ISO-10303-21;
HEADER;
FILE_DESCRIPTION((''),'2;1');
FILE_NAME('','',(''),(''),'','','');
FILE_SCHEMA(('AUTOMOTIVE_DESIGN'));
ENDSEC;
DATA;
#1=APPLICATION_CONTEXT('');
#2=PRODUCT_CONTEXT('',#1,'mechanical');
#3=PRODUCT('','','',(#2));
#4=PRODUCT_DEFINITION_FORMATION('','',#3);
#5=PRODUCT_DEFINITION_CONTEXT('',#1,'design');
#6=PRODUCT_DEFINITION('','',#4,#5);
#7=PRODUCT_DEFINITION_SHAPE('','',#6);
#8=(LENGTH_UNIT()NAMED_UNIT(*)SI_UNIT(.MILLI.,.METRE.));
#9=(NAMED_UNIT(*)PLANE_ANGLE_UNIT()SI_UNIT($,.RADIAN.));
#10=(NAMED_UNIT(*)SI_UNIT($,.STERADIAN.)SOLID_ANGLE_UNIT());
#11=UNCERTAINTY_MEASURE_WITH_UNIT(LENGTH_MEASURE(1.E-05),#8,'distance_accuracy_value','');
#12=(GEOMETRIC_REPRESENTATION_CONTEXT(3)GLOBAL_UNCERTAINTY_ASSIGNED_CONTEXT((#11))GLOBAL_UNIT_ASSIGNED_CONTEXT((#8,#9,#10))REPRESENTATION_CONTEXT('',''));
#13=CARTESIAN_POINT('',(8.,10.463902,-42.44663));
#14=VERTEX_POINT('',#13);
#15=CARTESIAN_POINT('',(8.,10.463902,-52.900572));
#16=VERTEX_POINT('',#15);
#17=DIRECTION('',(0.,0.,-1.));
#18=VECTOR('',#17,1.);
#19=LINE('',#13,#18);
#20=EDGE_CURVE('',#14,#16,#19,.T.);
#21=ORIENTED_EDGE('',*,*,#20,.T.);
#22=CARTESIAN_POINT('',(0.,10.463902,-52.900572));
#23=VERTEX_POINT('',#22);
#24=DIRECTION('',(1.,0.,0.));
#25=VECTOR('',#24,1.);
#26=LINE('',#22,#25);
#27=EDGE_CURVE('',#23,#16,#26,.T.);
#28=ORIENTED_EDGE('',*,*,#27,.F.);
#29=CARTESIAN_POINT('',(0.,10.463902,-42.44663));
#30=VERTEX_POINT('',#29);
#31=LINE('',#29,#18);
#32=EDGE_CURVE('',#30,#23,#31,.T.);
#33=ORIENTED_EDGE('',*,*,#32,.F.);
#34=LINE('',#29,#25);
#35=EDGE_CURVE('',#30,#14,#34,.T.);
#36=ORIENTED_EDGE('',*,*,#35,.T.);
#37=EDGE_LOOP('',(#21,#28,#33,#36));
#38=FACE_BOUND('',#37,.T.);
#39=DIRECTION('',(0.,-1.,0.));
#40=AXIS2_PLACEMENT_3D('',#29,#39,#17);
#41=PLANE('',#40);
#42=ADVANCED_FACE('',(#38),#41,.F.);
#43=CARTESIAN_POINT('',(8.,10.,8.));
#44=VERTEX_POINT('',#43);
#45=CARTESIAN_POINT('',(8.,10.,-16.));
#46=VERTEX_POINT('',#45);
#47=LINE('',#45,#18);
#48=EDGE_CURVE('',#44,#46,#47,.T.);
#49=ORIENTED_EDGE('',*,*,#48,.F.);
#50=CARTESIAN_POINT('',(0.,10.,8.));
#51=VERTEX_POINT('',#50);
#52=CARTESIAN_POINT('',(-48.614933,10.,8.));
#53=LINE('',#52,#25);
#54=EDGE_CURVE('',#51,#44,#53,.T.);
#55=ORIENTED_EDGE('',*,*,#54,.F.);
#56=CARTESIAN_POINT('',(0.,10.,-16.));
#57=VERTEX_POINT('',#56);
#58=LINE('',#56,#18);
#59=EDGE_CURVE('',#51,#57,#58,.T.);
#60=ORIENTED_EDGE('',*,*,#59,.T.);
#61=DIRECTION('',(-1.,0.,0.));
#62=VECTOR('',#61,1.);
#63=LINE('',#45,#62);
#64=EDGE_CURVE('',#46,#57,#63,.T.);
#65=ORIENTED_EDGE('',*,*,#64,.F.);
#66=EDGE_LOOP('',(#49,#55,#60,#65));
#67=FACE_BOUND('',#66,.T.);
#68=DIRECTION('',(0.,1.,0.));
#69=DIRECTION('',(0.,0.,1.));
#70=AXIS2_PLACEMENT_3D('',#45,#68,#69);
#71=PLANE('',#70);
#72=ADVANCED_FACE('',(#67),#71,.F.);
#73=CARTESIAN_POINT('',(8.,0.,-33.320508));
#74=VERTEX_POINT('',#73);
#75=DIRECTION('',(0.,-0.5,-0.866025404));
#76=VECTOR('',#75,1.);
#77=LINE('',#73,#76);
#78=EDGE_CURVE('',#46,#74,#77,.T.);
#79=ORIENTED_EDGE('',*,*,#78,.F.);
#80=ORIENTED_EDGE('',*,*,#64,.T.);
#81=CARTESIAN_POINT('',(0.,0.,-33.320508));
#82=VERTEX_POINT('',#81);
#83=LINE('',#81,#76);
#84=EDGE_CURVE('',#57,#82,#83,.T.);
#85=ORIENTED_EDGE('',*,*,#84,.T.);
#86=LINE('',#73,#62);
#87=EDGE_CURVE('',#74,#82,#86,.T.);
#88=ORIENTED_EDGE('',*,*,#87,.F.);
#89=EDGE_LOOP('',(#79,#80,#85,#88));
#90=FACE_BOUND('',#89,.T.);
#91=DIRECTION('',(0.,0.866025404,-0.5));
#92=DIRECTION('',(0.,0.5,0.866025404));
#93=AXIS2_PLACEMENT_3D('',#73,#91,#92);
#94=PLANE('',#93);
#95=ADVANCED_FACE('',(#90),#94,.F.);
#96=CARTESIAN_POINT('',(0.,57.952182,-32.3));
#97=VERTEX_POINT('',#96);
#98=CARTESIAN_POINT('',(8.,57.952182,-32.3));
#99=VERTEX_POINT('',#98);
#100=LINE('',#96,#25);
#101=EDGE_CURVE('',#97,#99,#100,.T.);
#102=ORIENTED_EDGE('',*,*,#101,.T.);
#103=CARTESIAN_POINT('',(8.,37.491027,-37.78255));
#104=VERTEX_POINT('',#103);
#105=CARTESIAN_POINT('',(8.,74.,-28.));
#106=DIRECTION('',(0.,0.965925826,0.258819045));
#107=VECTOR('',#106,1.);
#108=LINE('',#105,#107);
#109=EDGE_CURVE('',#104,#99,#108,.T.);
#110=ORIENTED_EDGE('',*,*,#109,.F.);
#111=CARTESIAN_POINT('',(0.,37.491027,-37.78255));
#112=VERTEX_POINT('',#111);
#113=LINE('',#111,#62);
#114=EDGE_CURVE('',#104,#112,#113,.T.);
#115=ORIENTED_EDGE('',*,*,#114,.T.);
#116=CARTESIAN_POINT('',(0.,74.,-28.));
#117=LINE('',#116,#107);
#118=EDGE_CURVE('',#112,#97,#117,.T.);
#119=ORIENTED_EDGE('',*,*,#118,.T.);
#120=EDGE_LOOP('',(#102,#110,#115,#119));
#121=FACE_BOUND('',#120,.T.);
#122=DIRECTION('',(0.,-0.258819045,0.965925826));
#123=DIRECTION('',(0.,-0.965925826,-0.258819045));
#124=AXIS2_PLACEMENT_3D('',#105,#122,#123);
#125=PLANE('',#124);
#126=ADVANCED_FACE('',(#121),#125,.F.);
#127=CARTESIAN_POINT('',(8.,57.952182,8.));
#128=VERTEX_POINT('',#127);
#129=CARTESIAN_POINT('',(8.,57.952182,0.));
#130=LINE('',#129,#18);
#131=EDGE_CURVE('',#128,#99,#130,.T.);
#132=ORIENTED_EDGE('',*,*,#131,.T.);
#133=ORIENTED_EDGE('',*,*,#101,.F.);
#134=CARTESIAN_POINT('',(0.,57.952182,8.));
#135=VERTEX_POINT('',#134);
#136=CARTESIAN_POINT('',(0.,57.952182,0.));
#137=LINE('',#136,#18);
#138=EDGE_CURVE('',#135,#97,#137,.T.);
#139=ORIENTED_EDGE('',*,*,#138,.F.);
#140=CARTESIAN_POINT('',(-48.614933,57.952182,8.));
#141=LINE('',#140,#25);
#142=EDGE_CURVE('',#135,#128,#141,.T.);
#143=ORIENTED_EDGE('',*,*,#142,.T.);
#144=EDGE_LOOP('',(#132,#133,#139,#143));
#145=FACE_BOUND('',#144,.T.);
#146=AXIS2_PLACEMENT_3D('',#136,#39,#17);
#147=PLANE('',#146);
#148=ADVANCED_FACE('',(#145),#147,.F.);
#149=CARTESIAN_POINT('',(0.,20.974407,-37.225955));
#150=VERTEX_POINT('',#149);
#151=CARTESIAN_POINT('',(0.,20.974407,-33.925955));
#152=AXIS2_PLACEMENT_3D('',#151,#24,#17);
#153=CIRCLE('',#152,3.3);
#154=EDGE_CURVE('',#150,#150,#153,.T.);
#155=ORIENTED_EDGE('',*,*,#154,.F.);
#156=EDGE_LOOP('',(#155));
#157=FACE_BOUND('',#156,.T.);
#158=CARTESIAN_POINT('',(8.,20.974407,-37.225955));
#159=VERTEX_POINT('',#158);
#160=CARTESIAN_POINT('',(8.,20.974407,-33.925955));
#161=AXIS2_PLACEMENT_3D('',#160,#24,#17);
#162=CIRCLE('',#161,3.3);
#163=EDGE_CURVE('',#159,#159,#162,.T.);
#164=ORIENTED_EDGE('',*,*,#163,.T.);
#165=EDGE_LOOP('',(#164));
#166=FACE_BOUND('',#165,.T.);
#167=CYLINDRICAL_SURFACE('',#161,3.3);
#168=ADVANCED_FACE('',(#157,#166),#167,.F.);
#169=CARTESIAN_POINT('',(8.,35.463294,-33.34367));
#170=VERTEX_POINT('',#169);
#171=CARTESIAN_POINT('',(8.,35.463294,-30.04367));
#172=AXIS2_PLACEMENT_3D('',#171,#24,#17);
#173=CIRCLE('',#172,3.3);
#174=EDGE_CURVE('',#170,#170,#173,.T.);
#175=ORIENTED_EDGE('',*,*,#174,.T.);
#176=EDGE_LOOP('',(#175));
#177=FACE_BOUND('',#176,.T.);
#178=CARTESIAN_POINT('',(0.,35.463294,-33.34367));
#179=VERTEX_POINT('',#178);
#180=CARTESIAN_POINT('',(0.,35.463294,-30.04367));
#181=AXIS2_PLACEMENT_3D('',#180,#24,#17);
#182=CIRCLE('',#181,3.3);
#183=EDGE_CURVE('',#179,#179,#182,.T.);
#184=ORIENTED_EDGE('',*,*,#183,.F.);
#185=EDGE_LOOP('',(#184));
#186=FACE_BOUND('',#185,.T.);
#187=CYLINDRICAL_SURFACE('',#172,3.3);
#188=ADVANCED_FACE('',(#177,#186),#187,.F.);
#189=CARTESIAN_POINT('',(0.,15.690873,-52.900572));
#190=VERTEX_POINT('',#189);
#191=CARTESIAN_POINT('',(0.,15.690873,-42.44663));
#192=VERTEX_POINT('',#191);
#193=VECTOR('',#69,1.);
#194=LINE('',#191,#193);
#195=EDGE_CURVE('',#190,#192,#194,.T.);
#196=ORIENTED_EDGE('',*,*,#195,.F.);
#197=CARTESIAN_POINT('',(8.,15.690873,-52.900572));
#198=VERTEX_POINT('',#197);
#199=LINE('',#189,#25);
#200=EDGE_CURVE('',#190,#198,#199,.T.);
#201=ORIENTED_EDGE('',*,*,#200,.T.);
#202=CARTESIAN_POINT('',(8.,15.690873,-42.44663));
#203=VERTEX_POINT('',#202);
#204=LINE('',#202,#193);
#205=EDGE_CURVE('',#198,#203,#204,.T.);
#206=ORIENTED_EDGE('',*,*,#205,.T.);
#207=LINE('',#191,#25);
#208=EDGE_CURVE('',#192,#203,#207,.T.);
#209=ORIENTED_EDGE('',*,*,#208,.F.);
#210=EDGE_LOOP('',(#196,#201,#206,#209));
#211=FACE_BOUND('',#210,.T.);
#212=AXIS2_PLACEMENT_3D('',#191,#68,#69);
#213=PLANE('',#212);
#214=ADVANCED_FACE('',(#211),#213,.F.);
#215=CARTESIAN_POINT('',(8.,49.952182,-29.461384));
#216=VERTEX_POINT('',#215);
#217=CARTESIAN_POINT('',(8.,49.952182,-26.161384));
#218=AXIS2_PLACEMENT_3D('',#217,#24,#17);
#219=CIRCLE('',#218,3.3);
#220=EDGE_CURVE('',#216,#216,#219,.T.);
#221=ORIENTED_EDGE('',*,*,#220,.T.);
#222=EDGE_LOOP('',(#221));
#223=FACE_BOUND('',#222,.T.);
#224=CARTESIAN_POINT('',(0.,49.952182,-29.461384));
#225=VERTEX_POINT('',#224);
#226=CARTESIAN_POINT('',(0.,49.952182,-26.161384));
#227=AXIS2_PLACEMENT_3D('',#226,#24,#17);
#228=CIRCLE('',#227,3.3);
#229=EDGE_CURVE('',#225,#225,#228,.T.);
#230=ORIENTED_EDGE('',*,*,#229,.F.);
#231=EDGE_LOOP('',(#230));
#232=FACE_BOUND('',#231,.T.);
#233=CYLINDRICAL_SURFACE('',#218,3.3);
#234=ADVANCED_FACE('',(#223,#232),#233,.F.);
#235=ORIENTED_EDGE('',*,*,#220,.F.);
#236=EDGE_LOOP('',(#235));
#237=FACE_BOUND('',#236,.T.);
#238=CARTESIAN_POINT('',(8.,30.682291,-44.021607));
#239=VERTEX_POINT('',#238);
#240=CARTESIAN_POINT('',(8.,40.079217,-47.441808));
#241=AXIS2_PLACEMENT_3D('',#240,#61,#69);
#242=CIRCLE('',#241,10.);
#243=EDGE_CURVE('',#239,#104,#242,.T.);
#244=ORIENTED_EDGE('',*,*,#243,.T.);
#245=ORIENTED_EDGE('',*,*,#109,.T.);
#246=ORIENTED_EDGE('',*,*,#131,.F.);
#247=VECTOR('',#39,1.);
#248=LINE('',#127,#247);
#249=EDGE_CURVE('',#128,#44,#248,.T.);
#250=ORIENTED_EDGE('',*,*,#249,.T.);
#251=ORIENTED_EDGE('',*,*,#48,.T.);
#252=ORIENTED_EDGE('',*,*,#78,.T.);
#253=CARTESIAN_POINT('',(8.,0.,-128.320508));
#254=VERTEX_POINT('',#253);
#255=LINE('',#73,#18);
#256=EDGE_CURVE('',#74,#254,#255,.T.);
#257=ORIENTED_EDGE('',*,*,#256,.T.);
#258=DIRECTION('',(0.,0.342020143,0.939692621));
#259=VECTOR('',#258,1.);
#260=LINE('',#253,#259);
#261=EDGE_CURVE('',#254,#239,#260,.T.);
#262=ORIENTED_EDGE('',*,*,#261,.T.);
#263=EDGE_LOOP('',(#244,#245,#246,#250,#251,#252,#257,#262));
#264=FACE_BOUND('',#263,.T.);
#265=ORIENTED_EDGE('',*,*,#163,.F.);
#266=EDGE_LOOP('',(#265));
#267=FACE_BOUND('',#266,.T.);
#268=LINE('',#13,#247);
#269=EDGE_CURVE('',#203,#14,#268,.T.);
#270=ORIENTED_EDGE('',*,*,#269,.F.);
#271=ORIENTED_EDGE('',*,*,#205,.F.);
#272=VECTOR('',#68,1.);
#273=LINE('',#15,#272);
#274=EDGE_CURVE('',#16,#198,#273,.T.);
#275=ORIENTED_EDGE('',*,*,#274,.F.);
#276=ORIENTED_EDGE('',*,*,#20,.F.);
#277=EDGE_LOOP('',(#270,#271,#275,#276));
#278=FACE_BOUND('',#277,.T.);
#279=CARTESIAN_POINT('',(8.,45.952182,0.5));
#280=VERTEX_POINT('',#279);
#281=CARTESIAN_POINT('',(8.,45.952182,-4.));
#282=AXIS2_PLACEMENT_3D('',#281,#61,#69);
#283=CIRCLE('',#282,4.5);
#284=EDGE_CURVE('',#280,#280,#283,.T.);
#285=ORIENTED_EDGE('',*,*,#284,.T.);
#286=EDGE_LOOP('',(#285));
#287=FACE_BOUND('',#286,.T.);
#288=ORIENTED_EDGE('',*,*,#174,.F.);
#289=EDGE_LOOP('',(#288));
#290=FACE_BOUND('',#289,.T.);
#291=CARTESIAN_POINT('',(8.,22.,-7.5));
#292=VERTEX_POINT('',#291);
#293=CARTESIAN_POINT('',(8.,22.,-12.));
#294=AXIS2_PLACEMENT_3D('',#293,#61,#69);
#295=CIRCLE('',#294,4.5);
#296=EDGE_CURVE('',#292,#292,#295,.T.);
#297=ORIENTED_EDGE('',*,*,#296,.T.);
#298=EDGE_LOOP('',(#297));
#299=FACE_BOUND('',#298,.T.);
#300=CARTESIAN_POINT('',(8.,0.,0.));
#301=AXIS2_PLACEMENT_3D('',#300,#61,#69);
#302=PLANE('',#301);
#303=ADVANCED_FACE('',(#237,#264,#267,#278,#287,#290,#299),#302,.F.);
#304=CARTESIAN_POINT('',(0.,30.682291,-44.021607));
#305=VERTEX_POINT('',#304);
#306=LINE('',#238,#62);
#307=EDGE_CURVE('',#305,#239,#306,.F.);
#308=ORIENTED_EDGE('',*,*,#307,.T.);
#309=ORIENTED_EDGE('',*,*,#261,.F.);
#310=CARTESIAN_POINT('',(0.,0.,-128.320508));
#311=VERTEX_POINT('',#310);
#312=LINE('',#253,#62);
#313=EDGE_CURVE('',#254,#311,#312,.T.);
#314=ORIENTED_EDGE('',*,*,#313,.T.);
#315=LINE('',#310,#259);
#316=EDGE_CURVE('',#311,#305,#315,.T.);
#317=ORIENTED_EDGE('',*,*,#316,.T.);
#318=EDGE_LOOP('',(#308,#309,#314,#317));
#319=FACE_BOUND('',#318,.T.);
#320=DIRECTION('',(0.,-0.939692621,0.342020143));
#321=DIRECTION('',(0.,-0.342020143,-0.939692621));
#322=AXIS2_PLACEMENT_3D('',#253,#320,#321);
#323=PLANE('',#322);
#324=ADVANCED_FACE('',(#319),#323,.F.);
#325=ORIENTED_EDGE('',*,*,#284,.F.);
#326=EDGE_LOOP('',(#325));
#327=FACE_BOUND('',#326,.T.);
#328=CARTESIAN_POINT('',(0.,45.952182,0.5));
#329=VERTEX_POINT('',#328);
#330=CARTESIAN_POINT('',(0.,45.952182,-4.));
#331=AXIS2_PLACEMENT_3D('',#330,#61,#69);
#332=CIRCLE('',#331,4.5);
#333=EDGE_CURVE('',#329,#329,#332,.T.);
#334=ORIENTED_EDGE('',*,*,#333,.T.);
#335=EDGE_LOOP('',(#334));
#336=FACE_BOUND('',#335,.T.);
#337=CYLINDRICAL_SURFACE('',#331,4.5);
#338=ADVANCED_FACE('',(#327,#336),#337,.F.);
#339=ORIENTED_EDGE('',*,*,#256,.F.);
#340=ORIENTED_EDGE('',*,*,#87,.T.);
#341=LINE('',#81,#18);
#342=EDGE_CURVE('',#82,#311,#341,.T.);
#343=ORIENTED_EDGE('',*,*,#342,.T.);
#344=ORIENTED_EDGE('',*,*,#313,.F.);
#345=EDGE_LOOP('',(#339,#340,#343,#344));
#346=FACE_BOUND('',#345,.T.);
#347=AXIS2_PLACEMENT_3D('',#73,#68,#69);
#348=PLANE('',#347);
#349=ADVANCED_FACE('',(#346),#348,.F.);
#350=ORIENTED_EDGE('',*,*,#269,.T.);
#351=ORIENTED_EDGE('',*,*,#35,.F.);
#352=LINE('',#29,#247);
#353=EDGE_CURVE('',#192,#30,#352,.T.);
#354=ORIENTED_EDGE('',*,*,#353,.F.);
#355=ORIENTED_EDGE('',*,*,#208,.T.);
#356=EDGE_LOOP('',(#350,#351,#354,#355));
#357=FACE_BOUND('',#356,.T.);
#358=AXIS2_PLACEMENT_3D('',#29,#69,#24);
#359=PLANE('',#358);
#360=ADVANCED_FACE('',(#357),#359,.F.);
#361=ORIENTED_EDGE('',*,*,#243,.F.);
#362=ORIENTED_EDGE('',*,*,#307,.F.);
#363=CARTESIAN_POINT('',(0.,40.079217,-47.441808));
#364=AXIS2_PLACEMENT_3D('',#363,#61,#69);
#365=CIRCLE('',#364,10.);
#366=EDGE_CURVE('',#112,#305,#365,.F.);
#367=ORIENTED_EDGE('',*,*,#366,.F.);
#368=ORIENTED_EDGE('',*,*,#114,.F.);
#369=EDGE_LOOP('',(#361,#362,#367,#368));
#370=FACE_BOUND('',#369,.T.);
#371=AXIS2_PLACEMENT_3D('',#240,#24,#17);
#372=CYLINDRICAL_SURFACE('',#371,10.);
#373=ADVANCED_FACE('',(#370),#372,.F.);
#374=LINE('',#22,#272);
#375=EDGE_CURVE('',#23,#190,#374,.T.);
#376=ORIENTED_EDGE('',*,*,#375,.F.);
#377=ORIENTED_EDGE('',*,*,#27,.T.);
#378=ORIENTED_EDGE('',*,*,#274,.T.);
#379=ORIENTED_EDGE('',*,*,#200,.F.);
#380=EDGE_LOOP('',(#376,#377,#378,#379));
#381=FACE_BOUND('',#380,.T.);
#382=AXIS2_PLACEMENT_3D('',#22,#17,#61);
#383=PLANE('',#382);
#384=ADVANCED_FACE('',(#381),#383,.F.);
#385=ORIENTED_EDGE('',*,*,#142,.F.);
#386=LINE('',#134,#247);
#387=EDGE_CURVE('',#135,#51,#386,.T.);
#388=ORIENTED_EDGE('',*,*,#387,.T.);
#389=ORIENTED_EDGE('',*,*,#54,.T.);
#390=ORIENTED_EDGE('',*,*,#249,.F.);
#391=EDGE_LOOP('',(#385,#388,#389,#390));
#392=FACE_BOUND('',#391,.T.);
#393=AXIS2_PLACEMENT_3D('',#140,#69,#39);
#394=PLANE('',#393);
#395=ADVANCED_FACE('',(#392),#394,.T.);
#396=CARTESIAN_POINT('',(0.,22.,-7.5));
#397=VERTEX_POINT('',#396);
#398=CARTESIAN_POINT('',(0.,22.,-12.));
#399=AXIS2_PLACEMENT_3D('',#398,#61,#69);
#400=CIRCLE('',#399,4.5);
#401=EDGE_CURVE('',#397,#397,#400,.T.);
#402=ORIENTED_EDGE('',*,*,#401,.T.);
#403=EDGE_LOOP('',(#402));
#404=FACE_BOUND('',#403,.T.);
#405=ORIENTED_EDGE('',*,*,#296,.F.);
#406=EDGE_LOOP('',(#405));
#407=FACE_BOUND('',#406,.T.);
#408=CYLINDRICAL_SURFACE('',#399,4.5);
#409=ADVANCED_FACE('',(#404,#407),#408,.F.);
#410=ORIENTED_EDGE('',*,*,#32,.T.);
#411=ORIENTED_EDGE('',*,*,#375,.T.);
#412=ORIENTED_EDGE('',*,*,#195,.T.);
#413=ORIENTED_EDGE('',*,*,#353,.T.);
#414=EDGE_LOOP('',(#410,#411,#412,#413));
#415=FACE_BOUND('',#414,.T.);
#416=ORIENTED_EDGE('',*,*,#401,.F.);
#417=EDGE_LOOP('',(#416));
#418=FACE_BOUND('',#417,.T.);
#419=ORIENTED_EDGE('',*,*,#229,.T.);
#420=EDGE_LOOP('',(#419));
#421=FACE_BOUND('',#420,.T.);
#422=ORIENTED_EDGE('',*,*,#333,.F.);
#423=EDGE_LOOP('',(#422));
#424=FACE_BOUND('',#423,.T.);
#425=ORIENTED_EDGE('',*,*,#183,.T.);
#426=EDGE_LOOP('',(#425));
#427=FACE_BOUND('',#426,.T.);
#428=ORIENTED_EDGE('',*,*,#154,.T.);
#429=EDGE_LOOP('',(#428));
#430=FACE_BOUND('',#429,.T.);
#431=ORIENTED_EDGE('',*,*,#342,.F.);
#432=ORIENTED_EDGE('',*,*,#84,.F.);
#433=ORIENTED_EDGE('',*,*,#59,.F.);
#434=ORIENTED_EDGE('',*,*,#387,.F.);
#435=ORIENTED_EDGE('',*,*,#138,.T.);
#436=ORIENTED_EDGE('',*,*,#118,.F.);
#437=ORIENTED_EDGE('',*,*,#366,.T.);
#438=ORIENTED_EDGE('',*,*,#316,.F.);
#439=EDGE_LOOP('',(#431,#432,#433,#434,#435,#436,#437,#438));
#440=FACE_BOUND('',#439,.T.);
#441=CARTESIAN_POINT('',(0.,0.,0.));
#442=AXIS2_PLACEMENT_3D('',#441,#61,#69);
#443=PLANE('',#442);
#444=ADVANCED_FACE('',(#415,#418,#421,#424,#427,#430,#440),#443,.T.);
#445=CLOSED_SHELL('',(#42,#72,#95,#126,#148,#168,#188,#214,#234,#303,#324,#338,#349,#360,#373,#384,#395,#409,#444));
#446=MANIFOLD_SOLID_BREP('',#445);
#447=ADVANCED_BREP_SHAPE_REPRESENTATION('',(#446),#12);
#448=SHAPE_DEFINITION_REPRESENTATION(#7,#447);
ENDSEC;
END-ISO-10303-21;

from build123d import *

# Parameters (mm, degrees)
RESSALTO_EXTRUS_O1_DEPTH = 8
ESBO_O2_W                = 32.3
ESBO_O2_H                = 16.047818473
CORTE_EXTRUS_O1_DEPTH    = 149.344709352
ESBO_O3_W                = 8
ESBO_O3_H                = 47.952181527
RESSALTO_EXTRUS_O2_DEPTH = 8
FURO_COM_FOLGA_DE_M81_D  = 9
FURO_COM_FOLGA_DE_M61_D  = 6.6
FILETE1_R                = 10
ESBO_O9_W                = 10.453941956
ESBO_O9_H                = 5.226970978
CORTE_EXTRUS_O2_DEPTH    = 142.026976627


with BuildPart() as part:
    # Esboço1 → Ressalto-extrusão1 (new body)
    with BuildSketch(Plane(origin=(0, 0, 0), x_dir=(0, 0, -1), z_dir=(1, 0, 0))):
        Polygon((28, 74), (39.129876604, 32.462735031), (128.320508076, 0), (33.320508076, 0), (16, 10), (0, 10), (0, 74), align=None)
    extrude(amount=RESSALTO_EXTRUS_O1_DEPTH)

    # Esboço2 → Corte-extrusão1 (cut, through all)
    with BuildSketch(Plane(origin=(8, 0, 0), x_dir=(0, 0, -1), z_dir=(1, 0, 0))):
        with Locations((16.15, 65.976090763)):
            Rectangle(ESBO_O2_W, ESBO_O2_H)
    extrude(amount=-CORTE_EXTRUS_O1_DEPTH, mode=Mode.SUBTRACT)

    # Esboço3 → Ressalto-extrusão2 (add)
    with BuildSketch(Plane(origin=(8, 0, 0), x_dir=(0, 0, -1), z_dir=(1, 0, 0))):
        with Locations((-4, 33.976090763)):
            Rectangle(ESBO_O3_W, ESBO_O3_H)
    extrude(amount=-RESSALTO_EXTRUS_O2_DEPTH)

    # Furo com folga de M81 (through all)
    with Locations(Plane.ZY):
        with Locations((-4, 45.952181527), (-12, 22)):
            Hole(FURO_COM_FOLGA_DE_M81_D / 2)

    # Furo com folga de M61 (through all)
    with Locations(Plane(origin=(8, 0, 0), x_dir=(0, 0, -1), z_dir=(1, 0, 0))):
        with Locations((26.161384096, 49.952181527), (30.043669773, 35.463294133), (33.925955449, 20.974406739)):
            Hole(FURO_COM_FOLGA_DE_M61_D / 2)

    # Filete1
    filete1_edges = [part.edges().sort_by_distance(p)[0] for p in [
        (4, 32.462735031, -39.129876604),
    ]]
    fillet(filete1_edges, radius=FILETE1_R)

    # Esboço9 → Corte-extrusão2 (cut, through all)
    with BuildSketch(Plane(origin=(8, 0, 0), x_dir=(0, 0, -1), z_dir=(1, 0, 0))):
        with Locations((47.673601146, 13.077387372)):
            Rectangle(ESBO_O9_W, ESBO_O9_H)
    extrude(amount=-CORTE_EXTRUS_O2_DEPTH, mode=Mode.SUBTRACT)


solid = part.part
